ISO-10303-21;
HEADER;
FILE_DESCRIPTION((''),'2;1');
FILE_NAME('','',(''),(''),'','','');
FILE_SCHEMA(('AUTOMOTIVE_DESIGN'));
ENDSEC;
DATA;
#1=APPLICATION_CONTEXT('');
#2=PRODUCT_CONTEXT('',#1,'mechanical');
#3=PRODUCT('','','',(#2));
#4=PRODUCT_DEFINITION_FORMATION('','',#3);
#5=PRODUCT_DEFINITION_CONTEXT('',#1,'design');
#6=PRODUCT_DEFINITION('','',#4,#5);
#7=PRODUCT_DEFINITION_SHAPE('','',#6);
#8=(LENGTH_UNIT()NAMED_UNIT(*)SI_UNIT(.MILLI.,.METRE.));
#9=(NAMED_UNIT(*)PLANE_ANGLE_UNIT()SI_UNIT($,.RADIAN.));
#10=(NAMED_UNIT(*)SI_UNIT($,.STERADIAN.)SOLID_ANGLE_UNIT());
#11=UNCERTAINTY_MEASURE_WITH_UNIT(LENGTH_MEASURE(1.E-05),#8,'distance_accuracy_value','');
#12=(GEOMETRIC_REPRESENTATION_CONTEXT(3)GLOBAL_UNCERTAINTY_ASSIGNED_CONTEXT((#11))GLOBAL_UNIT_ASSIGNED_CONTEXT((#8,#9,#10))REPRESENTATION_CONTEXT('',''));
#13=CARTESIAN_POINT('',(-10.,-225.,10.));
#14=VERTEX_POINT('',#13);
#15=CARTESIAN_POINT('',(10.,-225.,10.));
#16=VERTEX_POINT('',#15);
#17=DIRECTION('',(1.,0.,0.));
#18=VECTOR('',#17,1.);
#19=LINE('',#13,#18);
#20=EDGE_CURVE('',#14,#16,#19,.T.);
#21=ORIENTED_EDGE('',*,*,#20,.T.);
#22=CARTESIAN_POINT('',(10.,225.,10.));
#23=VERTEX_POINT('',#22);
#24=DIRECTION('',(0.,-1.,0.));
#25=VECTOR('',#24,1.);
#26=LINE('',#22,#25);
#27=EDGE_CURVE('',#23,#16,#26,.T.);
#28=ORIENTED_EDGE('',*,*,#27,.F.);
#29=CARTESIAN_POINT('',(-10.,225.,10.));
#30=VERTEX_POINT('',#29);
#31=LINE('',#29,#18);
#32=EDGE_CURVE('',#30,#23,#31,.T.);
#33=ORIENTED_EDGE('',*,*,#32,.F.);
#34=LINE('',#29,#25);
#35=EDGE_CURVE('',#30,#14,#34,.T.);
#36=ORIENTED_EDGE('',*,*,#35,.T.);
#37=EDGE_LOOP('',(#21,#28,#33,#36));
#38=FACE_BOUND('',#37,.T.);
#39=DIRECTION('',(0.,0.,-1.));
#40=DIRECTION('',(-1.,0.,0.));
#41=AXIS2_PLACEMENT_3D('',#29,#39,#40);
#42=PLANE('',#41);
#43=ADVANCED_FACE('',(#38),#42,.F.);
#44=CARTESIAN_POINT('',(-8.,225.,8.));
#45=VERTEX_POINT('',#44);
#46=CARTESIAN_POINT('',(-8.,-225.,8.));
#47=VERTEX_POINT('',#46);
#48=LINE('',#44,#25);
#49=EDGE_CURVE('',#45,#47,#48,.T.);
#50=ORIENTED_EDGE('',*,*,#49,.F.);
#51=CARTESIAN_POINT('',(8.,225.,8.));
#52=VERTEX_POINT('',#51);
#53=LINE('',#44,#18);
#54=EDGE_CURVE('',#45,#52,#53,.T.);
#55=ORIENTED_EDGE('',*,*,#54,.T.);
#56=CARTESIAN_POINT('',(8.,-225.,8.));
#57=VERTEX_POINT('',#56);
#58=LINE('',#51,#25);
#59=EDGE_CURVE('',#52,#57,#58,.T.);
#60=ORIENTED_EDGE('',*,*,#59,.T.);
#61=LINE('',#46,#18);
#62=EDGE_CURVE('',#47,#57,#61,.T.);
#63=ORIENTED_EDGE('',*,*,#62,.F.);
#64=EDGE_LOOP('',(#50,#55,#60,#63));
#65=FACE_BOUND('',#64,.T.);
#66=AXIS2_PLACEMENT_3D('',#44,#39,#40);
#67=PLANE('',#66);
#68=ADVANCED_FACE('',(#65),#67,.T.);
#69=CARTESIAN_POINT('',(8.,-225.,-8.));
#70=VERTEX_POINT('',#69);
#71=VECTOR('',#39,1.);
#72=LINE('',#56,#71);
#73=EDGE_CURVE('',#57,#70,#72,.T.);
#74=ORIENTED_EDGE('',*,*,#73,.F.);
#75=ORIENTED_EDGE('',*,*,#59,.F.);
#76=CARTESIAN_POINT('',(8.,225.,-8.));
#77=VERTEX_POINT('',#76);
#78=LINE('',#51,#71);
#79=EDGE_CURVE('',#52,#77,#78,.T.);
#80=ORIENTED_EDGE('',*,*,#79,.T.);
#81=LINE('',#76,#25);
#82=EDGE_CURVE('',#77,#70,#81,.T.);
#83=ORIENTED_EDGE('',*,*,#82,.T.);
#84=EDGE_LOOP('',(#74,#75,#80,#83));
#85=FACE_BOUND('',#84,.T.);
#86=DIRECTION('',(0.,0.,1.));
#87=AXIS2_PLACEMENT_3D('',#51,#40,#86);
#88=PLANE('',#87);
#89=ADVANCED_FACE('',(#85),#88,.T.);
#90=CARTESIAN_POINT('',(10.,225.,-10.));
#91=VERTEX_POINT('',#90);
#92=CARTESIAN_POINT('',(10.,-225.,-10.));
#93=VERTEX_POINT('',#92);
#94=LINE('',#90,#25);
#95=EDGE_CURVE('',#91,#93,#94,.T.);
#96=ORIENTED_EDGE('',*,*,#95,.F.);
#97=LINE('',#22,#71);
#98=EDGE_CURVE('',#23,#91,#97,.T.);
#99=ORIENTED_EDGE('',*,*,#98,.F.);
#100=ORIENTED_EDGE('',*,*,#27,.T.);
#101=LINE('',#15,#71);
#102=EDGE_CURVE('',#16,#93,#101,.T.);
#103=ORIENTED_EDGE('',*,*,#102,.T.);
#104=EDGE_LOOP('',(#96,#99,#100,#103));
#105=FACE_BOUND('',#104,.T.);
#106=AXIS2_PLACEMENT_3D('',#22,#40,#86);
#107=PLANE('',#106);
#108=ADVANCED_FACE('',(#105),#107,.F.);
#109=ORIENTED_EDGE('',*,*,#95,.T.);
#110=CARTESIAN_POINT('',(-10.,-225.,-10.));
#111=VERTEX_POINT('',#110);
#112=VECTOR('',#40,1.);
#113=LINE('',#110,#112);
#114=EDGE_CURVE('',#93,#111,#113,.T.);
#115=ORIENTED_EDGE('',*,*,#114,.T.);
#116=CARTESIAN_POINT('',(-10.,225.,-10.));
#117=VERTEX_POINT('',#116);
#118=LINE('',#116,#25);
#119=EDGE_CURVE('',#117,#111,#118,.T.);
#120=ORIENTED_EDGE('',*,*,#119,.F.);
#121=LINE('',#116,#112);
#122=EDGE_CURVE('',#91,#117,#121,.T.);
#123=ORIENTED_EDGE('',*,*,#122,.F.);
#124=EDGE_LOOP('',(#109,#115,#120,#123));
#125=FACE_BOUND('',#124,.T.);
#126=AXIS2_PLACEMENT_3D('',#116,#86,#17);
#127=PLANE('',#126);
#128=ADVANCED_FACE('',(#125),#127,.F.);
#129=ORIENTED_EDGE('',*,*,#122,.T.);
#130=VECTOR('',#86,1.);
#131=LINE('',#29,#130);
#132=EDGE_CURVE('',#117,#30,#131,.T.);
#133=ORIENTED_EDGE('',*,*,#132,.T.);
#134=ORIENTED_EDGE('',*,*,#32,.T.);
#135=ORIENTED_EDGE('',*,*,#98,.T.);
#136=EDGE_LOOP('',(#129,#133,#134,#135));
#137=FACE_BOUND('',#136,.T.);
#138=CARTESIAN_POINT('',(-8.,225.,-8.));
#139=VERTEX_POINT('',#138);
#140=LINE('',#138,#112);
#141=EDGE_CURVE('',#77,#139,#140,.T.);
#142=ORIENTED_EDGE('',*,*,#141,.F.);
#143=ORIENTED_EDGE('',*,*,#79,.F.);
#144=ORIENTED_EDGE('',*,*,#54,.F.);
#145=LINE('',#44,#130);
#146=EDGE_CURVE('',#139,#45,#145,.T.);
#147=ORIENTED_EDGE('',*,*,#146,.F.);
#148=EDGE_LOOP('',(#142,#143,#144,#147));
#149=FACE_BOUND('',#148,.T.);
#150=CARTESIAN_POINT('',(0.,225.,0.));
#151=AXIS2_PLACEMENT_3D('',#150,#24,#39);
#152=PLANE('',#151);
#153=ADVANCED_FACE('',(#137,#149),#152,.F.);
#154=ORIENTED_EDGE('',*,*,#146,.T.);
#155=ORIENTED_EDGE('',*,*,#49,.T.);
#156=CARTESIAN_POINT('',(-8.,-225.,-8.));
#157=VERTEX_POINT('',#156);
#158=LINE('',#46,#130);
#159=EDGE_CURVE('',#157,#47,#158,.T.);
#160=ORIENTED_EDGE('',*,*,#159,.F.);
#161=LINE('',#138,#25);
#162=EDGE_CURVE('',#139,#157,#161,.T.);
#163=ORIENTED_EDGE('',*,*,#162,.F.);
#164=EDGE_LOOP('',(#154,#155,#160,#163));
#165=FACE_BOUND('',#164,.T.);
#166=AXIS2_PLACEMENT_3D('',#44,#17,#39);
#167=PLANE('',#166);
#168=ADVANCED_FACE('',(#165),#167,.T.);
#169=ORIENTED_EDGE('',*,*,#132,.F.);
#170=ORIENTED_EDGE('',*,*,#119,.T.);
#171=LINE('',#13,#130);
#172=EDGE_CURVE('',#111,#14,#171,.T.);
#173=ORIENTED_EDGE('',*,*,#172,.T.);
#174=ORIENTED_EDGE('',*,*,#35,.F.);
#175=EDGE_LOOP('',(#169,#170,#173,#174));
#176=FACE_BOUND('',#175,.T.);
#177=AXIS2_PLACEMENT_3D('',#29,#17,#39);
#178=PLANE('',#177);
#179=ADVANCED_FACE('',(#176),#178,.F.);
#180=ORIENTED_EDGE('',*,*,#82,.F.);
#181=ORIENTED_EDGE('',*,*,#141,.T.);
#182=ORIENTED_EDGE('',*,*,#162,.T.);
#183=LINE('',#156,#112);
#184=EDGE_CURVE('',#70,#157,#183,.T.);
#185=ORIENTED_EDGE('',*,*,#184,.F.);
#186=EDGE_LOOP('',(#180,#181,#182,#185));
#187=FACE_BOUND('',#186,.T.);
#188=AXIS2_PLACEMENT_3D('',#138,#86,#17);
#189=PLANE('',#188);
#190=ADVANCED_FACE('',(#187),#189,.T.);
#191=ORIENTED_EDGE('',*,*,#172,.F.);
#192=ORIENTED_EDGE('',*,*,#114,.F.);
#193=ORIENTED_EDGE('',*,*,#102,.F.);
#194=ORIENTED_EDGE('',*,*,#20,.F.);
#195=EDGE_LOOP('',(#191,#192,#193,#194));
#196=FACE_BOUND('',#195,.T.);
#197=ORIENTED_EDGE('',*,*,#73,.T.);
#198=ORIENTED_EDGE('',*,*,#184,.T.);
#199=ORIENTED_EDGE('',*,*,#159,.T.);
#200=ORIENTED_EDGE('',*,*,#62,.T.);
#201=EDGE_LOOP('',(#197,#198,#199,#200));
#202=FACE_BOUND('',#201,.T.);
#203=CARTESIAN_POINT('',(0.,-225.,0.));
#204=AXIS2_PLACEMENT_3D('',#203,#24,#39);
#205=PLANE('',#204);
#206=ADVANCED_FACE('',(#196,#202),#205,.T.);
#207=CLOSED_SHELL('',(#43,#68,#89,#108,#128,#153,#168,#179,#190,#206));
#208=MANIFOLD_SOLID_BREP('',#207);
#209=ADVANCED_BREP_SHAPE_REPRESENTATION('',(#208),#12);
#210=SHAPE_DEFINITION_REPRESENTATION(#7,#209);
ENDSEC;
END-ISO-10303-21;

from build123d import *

# Parameters (mm, degrees)
CROQUIS1_W              = 20
CROQUIS1_H              = 20
CROQUIS1_W_2            = 16
CROQUIS1_H_2            = 16
SALIENTE_EXTRUIR1_DEPTH = 225


with BuildPart() as part:
    # Croquis1 → Saliente-Extruir1 (new, symmetric)
    with BuildSketch(Plane(origin=(0, 0, 0), x_dir=(1, 0, 0), z_dir=(0, 1, 0))):
        Rectangle(CROQUIS1_W, CROQUIS1_H)
        Rectangle(CROQUIS1_W_2, CROQUIS1_H_2, mode=Mode.SUBTRACT)
    extrude(amount=SALIENTE_EXTRUIR1_DEPTH, both=True)


solid = part.part
